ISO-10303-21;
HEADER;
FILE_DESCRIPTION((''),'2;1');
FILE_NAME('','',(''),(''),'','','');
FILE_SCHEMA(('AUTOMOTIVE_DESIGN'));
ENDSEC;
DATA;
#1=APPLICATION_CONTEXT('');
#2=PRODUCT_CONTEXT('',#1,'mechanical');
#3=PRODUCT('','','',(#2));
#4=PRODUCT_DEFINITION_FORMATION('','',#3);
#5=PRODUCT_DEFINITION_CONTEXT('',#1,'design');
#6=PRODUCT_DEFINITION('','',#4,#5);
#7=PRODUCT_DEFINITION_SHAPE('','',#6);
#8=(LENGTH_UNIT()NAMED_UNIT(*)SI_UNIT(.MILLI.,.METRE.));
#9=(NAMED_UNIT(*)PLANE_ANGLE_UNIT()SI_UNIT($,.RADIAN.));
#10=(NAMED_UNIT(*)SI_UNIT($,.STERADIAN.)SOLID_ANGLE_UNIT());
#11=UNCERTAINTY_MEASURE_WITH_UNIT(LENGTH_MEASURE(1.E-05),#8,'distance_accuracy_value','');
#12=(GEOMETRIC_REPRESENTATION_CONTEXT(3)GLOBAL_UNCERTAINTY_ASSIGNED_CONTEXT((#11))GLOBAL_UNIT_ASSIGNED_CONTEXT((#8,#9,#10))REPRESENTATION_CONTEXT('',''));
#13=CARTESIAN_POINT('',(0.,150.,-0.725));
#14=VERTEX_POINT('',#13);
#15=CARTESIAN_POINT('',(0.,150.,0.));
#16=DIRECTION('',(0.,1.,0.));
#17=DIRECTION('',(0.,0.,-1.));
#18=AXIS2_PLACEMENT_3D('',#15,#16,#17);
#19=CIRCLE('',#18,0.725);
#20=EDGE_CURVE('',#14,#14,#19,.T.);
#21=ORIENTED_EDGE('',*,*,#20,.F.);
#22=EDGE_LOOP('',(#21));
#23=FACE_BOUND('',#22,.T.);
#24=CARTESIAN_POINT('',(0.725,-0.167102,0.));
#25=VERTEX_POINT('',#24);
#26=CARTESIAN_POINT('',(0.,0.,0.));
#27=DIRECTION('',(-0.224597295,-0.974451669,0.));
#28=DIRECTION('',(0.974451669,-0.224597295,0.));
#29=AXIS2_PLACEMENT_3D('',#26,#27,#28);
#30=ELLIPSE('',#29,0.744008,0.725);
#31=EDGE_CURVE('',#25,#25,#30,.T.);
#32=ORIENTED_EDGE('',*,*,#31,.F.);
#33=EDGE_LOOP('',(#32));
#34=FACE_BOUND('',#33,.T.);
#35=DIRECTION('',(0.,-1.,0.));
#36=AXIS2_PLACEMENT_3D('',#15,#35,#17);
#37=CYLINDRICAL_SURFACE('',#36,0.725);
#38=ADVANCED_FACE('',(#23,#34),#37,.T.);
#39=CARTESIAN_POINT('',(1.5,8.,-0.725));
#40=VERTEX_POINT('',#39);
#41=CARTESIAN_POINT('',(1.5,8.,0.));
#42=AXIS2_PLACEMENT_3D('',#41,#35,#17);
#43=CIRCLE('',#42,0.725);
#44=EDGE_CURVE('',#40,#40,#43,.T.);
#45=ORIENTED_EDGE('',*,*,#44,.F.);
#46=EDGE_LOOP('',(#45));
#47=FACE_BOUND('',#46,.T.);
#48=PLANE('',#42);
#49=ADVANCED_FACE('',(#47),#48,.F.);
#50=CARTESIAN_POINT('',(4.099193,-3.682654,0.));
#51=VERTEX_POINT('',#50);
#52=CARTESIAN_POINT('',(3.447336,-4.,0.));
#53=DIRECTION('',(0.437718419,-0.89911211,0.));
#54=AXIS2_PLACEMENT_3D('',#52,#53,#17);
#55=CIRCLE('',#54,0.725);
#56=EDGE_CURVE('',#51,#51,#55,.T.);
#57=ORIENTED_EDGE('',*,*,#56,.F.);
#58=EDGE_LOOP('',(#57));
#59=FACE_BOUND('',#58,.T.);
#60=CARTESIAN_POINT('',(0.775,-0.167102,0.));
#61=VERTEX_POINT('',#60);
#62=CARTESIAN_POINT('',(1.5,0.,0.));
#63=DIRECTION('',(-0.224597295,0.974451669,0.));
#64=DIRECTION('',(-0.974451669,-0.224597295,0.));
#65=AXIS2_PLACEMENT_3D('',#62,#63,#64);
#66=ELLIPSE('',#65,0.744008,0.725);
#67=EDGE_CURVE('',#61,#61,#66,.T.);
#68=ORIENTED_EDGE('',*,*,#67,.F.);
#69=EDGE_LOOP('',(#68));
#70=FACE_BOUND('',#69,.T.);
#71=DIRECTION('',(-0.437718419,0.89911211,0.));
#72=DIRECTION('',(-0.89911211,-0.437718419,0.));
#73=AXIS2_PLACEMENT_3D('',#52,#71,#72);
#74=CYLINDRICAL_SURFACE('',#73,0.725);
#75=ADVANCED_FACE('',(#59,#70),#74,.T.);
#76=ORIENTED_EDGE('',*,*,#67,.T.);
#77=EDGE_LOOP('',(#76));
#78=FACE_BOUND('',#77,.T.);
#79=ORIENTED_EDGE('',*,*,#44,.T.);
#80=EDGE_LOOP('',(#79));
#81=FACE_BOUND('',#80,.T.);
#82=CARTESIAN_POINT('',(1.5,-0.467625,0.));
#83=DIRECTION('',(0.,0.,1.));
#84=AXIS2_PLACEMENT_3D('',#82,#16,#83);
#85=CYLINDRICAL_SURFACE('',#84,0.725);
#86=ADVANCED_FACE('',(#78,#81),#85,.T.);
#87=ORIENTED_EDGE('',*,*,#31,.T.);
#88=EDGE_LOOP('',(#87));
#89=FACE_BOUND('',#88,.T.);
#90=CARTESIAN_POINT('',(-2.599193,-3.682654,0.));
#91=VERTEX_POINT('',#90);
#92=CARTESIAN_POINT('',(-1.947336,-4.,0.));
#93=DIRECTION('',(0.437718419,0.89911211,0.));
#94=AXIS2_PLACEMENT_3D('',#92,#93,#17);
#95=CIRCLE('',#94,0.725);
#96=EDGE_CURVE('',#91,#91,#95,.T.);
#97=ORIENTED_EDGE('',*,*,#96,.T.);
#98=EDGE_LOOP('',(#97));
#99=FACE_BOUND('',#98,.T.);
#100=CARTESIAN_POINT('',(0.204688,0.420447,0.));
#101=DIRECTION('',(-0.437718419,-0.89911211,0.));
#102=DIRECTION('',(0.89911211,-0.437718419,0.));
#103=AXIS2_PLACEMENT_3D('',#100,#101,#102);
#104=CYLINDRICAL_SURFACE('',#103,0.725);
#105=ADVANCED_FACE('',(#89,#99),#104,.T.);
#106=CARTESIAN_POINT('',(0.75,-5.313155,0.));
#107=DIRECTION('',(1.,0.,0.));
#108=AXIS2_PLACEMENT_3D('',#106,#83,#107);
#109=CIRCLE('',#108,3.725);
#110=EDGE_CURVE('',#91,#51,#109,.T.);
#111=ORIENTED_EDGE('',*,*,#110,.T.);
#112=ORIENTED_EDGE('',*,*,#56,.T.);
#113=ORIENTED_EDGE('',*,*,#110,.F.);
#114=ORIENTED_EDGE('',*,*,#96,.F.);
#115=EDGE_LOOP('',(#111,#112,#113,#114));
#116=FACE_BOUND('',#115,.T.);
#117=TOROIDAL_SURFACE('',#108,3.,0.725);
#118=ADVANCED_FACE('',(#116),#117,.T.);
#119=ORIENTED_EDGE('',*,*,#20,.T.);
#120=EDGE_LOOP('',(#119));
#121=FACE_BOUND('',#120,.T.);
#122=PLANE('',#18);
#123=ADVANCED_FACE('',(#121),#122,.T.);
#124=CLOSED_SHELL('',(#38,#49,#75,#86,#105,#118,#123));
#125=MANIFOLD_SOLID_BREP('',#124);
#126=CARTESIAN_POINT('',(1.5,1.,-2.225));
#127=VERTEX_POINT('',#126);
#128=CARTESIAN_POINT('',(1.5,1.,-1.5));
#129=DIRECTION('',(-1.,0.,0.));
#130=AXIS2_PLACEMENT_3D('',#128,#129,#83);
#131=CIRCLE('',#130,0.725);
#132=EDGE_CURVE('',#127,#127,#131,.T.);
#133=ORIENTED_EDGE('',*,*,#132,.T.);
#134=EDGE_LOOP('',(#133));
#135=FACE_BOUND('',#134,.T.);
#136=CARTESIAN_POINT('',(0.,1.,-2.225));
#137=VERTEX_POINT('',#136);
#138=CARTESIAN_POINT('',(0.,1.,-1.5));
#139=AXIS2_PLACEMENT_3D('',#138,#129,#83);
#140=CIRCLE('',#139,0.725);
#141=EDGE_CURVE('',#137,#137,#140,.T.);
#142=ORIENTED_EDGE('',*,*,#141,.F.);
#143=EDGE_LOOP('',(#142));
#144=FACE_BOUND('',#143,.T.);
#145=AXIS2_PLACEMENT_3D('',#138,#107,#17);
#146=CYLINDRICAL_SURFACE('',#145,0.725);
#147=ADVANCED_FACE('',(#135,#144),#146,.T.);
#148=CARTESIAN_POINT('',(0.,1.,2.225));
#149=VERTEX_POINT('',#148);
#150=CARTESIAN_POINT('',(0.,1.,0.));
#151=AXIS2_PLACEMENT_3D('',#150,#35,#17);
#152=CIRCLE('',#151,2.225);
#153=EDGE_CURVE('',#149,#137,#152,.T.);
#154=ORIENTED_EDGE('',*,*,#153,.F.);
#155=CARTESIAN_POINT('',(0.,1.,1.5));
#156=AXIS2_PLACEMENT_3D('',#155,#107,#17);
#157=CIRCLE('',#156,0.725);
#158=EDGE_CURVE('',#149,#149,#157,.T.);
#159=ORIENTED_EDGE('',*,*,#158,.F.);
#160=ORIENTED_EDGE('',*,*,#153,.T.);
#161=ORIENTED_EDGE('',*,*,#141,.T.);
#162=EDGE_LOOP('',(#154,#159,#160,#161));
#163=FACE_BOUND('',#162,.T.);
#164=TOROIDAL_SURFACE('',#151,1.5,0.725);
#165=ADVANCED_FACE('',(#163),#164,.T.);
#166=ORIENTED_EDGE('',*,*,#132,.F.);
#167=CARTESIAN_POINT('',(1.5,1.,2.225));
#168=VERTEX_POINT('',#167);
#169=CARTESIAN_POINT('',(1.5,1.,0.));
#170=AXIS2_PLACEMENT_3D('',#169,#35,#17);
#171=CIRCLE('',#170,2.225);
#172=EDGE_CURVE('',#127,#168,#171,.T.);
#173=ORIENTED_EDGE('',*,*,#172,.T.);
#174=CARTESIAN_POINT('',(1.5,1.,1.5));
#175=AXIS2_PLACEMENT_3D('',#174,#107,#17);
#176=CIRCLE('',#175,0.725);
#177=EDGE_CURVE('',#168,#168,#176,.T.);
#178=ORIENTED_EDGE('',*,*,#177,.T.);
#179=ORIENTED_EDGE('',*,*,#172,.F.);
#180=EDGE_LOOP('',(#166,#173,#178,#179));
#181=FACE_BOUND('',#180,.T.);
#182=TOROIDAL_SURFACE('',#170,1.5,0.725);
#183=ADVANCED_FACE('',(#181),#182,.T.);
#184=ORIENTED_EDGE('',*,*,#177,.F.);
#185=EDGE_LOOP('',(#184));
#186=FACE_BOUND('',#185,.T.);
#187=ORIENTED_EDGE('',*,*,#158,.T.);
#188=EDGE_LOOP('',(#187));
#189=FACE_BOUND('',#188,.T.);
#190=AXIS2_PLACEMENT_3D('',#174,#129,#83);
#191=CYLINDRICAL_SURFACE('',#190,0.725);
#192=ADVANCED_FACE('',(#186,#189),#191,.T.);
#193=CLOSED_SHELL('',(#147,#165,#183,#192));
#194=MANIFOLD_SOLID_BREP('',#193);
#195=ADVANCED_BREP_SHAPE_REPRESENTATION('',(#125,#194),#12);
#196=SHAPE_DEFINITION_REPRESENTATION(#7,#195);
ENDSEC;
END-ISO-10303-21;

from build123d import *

# Parameters (mm, degrees)
SWEEP1_PROFILE_R = 0.725
SWEEP2_PROFILE_R = 0.725


with BuildPart() as part:
    # Sweep1: sweep along a path in Sketch1
    with BuildLine(Plane.XY) as sweep1_path:
        Line((0, 150), (0, 0))
        Line((0, 0), (-1.947336329, -4))
        ThreePointArc((-1.947336329, -4), (0.75, -8.313155256), (3.447336329, -4))
        Line((3.447336329, -4), (1.5, 0))
        Line((1.5, 0), (1.5, 8))
    # Sweep1 profile (on start of the path) → Sweep1 (sweep)
    with BuildSketch(Plane(origin=(0, 150, 0), x_dir=(0, 0, -1), z_dir=(0, -1, 0))):
        Circle(SWEEP1_PROFILE_R)
    sweep(path=sweep1_path.line, transition=Transition.RIGHT)


with BuildPart() as body_2:
    # Sweep2: sweep along a path in Sketch18
    with BuildLine(Plane(origin=(0, 1, 0), x_dir=(1, 0, 0), z_dir=(0, 1, 0))) as sweep2_path:
        Line((0, 1.5), (1.5, 1.5))
        ThreePointArc((1.5, 1.5), (3, 0), (1.5, -1.5))
        Line((1.5, -1.5), (0, -1.5))
        ThreePointArc((0, -1.5), (-1.5, 0), (0, 1.5))
    # Sweep2 profile (on start of the path) → Sweep2 (sweep)
    with BuildSketch(Plane(origin=(0, 1, -1.5), x_dir=(0, 0, 1), z_dir=(1, 0, 0))):
        Circle(SWEEP2_PROFILE_R)
    sweep(path=sweep2_path.line)


solid = Compound([part.part, body_2.part])
